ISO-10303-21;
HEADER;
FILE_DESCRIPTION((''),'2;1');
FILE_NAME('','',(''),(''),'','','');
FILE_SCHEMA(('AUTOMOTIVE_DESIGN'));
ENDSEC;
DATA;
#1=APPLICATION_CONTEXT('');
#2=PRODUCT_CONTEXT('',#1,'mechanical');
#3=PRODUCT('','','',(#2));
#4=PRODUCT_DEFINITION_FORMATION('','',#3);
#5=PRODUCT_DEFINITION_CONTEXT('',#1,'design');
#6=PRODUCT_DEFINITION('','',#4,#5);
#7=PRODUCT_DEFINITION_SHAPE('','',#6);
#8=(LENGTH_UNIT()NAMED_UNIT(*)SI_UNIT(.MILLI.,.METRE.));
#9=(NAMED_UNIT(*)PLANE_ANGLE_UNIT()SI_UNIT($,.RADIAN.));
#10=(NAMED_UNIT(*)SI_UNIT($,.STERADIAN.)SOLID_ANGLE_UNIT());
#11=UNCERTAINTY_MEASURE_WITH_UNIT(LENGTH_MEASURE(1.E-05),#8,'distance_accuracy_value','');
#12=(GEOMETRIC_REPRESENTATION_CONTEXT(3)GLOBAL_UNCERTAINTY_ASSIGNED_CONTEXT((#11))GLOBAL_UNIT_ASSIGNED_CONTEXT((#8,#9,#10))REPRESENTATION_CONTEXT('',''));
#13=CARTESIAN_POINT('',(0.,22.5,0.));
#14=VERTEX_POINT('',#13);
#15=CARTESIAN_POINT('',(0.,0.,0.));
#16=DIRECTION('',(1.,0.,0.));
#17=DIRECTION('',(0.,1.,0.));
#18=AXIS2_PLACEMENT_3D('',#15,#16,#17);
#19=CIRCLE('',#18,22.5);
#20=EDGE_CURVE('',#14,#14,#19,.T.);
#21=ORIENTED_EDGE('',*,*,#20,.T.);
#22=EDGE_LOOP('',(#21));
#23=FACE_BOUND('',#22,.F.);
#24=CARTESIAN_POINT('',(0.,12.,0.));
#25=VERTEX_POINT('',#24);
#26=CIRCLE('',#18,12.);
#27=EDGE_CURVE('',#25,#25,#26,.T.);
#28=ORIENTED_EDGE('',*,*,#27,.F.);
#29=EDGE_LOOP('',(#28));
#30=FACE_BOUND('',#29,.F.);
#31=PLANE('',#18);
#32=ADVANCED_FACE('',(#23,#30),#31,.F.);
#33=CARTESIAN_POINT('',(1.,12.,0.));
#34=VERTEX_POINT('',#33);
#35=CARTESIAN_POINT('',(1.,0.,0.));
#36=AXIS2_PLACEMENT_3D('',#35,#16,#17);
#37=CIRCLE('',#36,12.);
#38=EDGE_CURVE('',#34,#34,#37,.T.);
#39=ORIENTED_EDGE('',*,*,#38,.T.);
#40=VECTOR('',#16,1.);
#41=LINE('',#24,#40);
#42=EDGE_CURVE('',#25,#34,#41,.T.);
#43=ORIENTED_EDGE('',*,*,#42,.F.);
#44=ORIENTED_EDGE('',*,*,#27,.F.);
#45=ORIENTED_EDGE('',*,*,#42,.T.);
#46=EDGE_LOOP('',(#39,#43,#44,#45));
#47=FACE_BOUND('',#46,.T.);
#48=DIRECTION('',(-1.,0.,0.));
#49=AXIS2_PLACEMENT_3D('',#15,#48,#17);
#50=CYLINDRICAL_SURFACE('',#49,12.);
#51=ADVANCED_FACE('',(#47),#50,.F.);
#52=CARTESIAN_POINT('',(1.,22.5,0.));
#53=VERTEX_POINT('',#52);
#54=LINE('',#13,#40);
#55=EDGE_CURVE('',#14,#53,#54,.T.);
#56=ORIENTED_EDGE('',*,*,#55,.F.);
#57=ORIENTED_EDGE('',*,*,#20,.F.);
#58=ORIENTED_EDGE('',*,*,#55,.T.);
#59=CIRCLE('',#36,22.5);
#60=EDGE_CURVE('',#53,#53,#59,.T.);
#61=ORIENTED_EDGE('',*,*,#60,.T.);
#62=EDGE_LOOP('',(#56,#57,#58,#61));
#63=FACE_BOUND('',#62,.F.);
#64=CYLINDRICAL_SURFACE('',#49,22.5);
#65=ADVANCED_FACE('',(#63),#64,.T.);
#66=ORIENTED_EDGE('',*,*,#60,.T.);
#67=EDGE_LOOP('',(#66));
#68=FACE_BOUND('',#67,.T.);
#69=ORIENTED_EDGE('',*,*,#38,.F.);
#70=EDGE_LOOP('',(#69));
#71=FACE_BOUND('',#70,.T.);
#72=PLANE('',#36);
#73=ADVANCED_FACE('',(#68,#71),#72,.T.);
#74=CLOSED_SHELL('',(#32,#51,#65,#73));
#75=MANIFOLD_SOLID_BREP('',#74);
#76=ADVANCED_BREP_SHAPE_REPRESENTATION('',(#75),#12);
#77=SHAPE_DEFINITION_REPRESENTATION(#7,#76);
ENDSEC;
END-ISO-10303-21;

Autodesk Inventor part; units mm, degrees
ref_plane "YZ Plane" through (0, 0, 0) normal (1, 0, 0) x (0, 1, 0)
ref_plane "XZ Plane" through (0, 0, 0) normal (0, 1, 0) x (-1, 0, 0)
ref_plane "XY Plane" through (0, 0, 0) normal (0, 0, 1) x (1, 0, 0)
sketch "Boceto1" plane through (0, 0, 0) normal (1, 0, 0) x (0, 1, 0)
  circle A0 centre (0, 0) radius 12
  circle A1 centre (0, 0) radius 22.5
  dimension "d_in" = 24
  dimension "d_out" = 45
extrude "Extrusión1" add sketch "Boceto1" along normal blind 1
properties part number "arandela"
